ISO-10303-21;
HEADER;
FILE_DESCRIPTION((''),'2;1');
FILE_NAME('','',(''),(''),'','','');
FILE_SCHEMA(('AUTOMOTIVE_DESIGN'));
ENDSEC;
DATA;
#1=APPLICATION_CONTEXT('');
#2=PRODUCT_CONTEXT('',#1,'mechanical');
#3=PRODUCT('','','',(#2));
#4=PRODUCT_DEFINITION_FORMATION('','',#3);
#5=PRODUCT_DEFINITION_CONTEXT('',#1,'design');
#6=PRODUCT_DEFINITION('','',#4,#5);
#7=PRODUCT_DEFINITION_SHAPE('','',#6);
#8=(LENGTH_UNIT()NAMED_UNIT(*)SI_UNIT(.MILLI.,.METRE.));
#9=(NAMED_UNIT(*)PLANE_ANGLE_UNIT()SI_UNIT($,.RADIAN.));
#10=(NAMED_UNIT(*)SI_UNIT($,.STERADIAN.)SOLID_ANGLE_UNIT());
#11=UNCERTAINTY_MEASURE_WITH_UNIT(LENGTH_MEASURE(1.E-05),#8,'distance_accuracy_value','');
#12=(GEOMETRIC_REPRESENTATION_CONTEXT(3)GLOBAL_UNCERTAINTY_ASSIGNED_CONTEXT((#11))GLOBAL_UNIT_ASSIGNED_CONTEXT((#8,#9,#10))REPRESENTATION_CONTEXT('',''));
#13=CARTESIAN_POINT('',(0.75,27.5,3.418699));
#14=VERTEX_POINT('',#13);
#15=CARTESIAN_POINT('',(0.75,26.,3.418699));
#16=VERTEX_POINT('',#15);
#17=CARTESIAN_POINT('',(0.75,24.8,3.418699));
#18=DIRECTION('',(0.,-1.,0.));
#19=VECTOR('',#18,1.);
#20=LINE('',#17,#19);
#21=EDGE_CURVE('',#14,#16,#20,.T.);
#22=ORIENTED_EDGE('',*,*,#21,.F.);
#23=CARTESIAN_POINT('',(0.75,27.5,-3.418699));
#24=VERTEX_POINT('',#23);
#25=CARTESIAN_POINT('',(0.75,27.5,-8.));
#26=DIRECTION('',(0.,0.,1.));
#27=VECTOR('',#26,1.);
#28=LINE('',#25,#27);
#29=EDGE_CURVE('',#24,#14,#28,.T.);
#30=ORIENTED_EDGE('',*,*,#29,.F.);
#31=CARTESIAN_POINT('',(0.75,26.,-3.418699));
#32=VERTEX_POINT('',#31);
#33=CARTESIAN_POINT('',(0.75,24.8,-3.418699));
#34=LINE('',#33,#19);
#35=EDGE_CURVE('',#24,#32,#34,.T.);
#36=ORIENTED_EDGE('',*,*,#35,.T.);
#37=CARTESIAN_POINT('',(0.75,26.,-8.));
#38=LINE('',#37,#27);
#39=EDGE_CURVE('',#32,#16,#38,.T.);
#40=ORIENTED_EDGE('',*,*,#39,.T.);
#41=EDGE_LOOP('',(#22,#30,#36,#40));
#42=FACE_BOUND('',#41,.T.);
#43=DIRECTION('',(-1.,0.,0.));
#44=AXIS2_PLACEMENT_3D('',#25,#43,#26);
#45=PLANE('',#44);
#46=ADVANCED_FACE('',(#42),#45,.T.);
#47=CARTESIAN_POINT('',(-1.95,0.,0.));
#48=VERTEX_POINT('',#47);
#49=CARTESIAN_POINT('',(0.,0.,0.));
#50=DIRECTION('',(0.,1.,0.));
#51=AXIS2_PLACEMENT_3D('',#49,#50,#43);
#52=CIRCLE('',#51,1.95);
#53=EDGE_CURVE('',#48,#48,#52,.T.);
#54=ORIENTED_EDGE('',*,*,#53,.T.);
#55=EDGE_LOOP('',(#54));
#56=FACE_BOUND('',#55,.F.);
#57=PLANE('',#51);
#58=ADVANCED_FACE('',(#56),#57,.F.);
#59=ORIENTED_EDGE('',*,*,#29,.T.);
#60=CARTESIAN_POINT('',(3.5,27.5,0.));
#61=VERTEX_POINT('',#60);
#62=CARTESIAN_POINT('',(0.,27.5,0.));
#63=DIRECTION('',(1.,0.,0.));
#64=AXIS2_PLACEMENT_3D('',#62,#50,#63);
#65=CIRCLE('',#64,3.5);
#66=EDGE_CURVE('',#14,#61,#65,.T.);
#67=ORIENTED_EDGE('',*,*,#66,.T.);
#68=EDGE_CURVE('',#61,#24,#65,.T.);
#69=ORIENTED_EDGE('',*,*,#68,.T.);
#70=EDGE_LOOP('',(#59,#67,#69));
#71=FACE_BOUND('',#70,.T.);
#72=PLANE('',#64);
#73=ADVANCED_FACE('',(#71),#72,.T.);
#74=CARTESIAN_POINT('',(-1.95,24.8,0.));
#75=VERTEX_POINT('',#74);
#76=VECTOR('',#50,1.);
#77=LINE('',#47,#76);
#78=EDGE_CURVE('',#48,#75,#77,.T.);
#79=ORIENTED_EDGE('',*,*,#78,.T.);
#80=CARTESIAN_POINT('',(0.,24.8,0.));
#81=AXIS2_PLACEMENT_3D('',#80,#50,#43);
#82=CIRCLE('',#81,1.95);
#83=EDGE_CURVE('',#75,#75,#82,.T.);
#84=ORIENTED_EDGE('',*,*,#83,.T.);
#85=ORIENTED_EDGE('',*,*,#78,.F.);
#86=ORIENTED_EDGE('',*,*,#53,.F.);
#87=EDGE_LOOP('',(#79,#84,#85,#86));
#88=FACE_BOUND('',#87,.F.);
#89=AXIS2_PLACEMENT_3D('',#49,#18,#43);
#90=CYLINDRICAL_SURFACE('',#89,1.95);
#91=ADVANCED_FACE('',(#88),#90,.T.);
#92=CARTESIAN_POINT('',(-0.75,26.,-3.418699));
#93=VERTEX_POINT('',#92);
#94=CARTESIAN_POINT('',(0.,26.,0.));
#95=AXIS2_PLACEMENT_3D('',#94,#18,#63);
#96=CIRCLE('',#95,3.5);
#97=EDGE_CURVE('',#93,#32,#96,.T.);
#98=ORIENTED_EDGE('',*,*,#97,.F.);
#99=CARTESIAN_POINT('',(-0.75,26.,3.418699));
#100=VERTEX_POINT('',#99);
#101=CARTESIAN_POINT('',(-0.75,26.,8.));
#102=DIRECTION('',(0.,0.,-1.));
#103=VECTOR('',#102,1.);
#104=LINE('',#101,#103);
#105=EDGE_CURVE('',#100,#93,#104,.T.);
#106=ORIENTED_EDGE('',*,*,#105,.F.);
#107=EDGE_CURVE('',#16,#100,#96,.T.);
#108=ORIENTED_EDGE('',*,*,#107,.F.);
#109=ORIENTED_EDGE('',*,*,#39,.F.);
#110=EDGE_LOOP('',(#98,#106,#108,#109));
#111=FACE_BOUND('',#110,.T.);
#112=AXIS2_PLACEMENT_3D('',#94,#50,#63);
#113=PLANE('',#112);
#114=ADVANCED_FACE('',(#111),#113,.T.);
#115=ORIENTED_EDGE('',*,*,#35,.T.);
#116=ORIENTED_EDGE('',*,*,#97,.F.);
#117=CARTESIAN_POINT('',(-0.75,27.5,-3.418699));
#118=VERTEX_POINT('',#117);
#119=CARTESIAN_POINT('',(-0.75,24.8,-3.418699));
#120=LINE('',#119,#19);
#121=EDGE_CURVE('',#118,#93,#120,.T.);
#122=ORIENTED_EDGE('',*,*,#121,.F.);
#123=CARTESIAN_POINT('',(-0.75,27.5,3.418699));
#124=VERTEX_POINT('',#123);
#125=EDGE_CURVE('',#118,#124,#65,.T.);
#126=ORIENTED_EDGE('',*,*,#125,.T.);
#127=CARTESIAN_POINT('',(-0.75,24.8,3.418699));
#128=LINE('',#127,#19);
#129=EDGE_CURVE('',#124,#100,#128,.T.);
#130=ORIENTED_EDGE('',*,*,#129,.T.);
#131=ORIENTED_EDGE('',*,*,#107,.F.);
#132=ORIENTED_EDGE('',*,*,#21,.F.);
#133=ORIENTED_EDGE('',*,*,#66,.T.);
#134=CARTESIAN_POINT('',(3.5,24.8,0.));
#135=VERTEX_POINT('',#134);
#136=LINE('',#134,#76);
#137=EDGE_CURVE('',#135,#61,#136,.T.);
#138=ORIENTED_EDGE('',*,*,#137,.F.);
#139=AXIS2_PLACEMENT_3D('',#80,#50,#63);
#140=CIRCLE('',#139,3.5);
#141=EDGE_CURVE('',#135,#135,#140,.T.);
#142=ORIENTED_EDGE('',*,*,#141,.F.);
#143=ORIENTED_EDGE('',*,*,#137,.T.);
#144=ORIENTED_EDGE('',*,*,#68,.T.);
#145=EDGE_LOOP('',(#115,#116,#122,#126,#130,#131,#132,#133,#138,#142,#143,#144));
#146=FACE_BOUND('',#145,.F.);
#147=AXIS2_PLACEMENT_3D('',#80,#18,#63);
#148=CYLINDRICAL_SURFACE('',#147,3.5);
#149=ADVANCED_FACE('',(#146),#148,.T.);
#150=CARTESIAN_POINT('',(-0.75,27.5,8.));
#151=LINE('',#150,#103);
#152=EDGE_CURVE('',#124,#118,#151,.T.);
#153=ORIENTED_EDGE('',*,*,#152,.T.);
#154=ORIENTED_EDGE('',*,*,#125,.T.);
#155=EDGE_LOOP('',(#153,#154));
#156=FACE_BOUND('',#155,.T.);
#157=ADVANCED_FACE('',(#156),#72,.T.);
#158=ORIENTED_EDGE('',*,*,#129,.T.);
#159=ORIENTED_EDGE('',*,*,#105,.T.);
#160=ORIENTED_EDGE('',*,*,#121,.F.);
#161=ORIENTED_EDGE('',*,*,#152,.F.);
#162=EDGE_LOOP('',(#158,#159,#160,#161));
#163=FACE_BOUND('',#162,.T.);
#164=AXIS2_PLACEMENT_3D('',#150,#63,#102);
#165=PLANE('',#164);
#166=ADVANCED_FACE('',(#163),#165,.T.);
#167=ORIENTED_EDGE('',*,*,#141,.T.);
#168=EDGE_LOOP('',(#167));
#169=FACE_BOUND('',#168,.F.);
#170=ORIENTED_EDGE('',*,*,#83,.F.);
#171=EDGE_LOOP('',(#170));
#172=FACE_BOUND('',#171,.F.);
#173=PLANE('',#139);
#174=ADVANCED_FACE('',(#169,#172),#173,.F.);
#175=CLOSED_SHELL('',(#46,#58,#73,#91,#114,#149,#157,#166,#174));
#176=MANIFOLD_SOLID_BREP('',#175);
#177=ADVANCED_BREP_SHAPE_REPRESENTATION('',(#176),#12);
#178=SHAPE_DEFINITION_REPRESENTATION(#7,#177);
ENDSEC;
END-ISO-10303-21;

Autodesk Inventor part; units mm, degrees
ref_plane "YZ Plane" through (0, 0, 0) normal (1, 0, 0) x (0, 1, 0)
ref_plane "XZ Plane" through (0, 0, 0) normal (0, 1, 0) x (-1, 0, 0)
ref_plane "XY Plane" through (0, 0, 0) normal (0, 0, 1) x (1, 0, 0)
sketch "Sketch1" plane through (0, 0, 0) normal (0, 1, 0) x (-1, 0, 0)
  circle A0 centre (0, 0) radius 1.95
  dimension "d0" = 3.9
extrude "Extrusion1" add sketch "Sketch1" along normal blind 24.8
sketch "Sketch2" plane through (0, 24.8, 0) normal (0, 1, 0) x (1, 0, 0)
  circle A0 centre (0, 0) radius 3.5
  dimension "d3" = 7
extrude "Extrusion2" add sketch "Sketch2" along normal blind 2.7
sketch "Sketch3" plane through (0, 27.5, 0) normal (0, 1, 0) x (1, 0, 0)
  line L0 (0.75, -8) -> (-0.75, -8)
  line L1 (-0.75, -8) -> (-0.75, 8)
  line L2 (-0.75, 8) -> (0.75, 8)
  line L3 (0.75, 8) -> (0.75, -8)
  line L4 (0.75, -8) -> (-0.75, 8) construction
  line L5 (-0.75, -8) -> (0.75, 8) construction
  point P0 (0, 0)
  dimension "d6" = 1.5
  dimension "d7" = 16
extrude "Extrusion3" cut sketch "Sketch3" against normal blind 1.5
properties part number "screw27x4mm" material "Stainless Steel"
